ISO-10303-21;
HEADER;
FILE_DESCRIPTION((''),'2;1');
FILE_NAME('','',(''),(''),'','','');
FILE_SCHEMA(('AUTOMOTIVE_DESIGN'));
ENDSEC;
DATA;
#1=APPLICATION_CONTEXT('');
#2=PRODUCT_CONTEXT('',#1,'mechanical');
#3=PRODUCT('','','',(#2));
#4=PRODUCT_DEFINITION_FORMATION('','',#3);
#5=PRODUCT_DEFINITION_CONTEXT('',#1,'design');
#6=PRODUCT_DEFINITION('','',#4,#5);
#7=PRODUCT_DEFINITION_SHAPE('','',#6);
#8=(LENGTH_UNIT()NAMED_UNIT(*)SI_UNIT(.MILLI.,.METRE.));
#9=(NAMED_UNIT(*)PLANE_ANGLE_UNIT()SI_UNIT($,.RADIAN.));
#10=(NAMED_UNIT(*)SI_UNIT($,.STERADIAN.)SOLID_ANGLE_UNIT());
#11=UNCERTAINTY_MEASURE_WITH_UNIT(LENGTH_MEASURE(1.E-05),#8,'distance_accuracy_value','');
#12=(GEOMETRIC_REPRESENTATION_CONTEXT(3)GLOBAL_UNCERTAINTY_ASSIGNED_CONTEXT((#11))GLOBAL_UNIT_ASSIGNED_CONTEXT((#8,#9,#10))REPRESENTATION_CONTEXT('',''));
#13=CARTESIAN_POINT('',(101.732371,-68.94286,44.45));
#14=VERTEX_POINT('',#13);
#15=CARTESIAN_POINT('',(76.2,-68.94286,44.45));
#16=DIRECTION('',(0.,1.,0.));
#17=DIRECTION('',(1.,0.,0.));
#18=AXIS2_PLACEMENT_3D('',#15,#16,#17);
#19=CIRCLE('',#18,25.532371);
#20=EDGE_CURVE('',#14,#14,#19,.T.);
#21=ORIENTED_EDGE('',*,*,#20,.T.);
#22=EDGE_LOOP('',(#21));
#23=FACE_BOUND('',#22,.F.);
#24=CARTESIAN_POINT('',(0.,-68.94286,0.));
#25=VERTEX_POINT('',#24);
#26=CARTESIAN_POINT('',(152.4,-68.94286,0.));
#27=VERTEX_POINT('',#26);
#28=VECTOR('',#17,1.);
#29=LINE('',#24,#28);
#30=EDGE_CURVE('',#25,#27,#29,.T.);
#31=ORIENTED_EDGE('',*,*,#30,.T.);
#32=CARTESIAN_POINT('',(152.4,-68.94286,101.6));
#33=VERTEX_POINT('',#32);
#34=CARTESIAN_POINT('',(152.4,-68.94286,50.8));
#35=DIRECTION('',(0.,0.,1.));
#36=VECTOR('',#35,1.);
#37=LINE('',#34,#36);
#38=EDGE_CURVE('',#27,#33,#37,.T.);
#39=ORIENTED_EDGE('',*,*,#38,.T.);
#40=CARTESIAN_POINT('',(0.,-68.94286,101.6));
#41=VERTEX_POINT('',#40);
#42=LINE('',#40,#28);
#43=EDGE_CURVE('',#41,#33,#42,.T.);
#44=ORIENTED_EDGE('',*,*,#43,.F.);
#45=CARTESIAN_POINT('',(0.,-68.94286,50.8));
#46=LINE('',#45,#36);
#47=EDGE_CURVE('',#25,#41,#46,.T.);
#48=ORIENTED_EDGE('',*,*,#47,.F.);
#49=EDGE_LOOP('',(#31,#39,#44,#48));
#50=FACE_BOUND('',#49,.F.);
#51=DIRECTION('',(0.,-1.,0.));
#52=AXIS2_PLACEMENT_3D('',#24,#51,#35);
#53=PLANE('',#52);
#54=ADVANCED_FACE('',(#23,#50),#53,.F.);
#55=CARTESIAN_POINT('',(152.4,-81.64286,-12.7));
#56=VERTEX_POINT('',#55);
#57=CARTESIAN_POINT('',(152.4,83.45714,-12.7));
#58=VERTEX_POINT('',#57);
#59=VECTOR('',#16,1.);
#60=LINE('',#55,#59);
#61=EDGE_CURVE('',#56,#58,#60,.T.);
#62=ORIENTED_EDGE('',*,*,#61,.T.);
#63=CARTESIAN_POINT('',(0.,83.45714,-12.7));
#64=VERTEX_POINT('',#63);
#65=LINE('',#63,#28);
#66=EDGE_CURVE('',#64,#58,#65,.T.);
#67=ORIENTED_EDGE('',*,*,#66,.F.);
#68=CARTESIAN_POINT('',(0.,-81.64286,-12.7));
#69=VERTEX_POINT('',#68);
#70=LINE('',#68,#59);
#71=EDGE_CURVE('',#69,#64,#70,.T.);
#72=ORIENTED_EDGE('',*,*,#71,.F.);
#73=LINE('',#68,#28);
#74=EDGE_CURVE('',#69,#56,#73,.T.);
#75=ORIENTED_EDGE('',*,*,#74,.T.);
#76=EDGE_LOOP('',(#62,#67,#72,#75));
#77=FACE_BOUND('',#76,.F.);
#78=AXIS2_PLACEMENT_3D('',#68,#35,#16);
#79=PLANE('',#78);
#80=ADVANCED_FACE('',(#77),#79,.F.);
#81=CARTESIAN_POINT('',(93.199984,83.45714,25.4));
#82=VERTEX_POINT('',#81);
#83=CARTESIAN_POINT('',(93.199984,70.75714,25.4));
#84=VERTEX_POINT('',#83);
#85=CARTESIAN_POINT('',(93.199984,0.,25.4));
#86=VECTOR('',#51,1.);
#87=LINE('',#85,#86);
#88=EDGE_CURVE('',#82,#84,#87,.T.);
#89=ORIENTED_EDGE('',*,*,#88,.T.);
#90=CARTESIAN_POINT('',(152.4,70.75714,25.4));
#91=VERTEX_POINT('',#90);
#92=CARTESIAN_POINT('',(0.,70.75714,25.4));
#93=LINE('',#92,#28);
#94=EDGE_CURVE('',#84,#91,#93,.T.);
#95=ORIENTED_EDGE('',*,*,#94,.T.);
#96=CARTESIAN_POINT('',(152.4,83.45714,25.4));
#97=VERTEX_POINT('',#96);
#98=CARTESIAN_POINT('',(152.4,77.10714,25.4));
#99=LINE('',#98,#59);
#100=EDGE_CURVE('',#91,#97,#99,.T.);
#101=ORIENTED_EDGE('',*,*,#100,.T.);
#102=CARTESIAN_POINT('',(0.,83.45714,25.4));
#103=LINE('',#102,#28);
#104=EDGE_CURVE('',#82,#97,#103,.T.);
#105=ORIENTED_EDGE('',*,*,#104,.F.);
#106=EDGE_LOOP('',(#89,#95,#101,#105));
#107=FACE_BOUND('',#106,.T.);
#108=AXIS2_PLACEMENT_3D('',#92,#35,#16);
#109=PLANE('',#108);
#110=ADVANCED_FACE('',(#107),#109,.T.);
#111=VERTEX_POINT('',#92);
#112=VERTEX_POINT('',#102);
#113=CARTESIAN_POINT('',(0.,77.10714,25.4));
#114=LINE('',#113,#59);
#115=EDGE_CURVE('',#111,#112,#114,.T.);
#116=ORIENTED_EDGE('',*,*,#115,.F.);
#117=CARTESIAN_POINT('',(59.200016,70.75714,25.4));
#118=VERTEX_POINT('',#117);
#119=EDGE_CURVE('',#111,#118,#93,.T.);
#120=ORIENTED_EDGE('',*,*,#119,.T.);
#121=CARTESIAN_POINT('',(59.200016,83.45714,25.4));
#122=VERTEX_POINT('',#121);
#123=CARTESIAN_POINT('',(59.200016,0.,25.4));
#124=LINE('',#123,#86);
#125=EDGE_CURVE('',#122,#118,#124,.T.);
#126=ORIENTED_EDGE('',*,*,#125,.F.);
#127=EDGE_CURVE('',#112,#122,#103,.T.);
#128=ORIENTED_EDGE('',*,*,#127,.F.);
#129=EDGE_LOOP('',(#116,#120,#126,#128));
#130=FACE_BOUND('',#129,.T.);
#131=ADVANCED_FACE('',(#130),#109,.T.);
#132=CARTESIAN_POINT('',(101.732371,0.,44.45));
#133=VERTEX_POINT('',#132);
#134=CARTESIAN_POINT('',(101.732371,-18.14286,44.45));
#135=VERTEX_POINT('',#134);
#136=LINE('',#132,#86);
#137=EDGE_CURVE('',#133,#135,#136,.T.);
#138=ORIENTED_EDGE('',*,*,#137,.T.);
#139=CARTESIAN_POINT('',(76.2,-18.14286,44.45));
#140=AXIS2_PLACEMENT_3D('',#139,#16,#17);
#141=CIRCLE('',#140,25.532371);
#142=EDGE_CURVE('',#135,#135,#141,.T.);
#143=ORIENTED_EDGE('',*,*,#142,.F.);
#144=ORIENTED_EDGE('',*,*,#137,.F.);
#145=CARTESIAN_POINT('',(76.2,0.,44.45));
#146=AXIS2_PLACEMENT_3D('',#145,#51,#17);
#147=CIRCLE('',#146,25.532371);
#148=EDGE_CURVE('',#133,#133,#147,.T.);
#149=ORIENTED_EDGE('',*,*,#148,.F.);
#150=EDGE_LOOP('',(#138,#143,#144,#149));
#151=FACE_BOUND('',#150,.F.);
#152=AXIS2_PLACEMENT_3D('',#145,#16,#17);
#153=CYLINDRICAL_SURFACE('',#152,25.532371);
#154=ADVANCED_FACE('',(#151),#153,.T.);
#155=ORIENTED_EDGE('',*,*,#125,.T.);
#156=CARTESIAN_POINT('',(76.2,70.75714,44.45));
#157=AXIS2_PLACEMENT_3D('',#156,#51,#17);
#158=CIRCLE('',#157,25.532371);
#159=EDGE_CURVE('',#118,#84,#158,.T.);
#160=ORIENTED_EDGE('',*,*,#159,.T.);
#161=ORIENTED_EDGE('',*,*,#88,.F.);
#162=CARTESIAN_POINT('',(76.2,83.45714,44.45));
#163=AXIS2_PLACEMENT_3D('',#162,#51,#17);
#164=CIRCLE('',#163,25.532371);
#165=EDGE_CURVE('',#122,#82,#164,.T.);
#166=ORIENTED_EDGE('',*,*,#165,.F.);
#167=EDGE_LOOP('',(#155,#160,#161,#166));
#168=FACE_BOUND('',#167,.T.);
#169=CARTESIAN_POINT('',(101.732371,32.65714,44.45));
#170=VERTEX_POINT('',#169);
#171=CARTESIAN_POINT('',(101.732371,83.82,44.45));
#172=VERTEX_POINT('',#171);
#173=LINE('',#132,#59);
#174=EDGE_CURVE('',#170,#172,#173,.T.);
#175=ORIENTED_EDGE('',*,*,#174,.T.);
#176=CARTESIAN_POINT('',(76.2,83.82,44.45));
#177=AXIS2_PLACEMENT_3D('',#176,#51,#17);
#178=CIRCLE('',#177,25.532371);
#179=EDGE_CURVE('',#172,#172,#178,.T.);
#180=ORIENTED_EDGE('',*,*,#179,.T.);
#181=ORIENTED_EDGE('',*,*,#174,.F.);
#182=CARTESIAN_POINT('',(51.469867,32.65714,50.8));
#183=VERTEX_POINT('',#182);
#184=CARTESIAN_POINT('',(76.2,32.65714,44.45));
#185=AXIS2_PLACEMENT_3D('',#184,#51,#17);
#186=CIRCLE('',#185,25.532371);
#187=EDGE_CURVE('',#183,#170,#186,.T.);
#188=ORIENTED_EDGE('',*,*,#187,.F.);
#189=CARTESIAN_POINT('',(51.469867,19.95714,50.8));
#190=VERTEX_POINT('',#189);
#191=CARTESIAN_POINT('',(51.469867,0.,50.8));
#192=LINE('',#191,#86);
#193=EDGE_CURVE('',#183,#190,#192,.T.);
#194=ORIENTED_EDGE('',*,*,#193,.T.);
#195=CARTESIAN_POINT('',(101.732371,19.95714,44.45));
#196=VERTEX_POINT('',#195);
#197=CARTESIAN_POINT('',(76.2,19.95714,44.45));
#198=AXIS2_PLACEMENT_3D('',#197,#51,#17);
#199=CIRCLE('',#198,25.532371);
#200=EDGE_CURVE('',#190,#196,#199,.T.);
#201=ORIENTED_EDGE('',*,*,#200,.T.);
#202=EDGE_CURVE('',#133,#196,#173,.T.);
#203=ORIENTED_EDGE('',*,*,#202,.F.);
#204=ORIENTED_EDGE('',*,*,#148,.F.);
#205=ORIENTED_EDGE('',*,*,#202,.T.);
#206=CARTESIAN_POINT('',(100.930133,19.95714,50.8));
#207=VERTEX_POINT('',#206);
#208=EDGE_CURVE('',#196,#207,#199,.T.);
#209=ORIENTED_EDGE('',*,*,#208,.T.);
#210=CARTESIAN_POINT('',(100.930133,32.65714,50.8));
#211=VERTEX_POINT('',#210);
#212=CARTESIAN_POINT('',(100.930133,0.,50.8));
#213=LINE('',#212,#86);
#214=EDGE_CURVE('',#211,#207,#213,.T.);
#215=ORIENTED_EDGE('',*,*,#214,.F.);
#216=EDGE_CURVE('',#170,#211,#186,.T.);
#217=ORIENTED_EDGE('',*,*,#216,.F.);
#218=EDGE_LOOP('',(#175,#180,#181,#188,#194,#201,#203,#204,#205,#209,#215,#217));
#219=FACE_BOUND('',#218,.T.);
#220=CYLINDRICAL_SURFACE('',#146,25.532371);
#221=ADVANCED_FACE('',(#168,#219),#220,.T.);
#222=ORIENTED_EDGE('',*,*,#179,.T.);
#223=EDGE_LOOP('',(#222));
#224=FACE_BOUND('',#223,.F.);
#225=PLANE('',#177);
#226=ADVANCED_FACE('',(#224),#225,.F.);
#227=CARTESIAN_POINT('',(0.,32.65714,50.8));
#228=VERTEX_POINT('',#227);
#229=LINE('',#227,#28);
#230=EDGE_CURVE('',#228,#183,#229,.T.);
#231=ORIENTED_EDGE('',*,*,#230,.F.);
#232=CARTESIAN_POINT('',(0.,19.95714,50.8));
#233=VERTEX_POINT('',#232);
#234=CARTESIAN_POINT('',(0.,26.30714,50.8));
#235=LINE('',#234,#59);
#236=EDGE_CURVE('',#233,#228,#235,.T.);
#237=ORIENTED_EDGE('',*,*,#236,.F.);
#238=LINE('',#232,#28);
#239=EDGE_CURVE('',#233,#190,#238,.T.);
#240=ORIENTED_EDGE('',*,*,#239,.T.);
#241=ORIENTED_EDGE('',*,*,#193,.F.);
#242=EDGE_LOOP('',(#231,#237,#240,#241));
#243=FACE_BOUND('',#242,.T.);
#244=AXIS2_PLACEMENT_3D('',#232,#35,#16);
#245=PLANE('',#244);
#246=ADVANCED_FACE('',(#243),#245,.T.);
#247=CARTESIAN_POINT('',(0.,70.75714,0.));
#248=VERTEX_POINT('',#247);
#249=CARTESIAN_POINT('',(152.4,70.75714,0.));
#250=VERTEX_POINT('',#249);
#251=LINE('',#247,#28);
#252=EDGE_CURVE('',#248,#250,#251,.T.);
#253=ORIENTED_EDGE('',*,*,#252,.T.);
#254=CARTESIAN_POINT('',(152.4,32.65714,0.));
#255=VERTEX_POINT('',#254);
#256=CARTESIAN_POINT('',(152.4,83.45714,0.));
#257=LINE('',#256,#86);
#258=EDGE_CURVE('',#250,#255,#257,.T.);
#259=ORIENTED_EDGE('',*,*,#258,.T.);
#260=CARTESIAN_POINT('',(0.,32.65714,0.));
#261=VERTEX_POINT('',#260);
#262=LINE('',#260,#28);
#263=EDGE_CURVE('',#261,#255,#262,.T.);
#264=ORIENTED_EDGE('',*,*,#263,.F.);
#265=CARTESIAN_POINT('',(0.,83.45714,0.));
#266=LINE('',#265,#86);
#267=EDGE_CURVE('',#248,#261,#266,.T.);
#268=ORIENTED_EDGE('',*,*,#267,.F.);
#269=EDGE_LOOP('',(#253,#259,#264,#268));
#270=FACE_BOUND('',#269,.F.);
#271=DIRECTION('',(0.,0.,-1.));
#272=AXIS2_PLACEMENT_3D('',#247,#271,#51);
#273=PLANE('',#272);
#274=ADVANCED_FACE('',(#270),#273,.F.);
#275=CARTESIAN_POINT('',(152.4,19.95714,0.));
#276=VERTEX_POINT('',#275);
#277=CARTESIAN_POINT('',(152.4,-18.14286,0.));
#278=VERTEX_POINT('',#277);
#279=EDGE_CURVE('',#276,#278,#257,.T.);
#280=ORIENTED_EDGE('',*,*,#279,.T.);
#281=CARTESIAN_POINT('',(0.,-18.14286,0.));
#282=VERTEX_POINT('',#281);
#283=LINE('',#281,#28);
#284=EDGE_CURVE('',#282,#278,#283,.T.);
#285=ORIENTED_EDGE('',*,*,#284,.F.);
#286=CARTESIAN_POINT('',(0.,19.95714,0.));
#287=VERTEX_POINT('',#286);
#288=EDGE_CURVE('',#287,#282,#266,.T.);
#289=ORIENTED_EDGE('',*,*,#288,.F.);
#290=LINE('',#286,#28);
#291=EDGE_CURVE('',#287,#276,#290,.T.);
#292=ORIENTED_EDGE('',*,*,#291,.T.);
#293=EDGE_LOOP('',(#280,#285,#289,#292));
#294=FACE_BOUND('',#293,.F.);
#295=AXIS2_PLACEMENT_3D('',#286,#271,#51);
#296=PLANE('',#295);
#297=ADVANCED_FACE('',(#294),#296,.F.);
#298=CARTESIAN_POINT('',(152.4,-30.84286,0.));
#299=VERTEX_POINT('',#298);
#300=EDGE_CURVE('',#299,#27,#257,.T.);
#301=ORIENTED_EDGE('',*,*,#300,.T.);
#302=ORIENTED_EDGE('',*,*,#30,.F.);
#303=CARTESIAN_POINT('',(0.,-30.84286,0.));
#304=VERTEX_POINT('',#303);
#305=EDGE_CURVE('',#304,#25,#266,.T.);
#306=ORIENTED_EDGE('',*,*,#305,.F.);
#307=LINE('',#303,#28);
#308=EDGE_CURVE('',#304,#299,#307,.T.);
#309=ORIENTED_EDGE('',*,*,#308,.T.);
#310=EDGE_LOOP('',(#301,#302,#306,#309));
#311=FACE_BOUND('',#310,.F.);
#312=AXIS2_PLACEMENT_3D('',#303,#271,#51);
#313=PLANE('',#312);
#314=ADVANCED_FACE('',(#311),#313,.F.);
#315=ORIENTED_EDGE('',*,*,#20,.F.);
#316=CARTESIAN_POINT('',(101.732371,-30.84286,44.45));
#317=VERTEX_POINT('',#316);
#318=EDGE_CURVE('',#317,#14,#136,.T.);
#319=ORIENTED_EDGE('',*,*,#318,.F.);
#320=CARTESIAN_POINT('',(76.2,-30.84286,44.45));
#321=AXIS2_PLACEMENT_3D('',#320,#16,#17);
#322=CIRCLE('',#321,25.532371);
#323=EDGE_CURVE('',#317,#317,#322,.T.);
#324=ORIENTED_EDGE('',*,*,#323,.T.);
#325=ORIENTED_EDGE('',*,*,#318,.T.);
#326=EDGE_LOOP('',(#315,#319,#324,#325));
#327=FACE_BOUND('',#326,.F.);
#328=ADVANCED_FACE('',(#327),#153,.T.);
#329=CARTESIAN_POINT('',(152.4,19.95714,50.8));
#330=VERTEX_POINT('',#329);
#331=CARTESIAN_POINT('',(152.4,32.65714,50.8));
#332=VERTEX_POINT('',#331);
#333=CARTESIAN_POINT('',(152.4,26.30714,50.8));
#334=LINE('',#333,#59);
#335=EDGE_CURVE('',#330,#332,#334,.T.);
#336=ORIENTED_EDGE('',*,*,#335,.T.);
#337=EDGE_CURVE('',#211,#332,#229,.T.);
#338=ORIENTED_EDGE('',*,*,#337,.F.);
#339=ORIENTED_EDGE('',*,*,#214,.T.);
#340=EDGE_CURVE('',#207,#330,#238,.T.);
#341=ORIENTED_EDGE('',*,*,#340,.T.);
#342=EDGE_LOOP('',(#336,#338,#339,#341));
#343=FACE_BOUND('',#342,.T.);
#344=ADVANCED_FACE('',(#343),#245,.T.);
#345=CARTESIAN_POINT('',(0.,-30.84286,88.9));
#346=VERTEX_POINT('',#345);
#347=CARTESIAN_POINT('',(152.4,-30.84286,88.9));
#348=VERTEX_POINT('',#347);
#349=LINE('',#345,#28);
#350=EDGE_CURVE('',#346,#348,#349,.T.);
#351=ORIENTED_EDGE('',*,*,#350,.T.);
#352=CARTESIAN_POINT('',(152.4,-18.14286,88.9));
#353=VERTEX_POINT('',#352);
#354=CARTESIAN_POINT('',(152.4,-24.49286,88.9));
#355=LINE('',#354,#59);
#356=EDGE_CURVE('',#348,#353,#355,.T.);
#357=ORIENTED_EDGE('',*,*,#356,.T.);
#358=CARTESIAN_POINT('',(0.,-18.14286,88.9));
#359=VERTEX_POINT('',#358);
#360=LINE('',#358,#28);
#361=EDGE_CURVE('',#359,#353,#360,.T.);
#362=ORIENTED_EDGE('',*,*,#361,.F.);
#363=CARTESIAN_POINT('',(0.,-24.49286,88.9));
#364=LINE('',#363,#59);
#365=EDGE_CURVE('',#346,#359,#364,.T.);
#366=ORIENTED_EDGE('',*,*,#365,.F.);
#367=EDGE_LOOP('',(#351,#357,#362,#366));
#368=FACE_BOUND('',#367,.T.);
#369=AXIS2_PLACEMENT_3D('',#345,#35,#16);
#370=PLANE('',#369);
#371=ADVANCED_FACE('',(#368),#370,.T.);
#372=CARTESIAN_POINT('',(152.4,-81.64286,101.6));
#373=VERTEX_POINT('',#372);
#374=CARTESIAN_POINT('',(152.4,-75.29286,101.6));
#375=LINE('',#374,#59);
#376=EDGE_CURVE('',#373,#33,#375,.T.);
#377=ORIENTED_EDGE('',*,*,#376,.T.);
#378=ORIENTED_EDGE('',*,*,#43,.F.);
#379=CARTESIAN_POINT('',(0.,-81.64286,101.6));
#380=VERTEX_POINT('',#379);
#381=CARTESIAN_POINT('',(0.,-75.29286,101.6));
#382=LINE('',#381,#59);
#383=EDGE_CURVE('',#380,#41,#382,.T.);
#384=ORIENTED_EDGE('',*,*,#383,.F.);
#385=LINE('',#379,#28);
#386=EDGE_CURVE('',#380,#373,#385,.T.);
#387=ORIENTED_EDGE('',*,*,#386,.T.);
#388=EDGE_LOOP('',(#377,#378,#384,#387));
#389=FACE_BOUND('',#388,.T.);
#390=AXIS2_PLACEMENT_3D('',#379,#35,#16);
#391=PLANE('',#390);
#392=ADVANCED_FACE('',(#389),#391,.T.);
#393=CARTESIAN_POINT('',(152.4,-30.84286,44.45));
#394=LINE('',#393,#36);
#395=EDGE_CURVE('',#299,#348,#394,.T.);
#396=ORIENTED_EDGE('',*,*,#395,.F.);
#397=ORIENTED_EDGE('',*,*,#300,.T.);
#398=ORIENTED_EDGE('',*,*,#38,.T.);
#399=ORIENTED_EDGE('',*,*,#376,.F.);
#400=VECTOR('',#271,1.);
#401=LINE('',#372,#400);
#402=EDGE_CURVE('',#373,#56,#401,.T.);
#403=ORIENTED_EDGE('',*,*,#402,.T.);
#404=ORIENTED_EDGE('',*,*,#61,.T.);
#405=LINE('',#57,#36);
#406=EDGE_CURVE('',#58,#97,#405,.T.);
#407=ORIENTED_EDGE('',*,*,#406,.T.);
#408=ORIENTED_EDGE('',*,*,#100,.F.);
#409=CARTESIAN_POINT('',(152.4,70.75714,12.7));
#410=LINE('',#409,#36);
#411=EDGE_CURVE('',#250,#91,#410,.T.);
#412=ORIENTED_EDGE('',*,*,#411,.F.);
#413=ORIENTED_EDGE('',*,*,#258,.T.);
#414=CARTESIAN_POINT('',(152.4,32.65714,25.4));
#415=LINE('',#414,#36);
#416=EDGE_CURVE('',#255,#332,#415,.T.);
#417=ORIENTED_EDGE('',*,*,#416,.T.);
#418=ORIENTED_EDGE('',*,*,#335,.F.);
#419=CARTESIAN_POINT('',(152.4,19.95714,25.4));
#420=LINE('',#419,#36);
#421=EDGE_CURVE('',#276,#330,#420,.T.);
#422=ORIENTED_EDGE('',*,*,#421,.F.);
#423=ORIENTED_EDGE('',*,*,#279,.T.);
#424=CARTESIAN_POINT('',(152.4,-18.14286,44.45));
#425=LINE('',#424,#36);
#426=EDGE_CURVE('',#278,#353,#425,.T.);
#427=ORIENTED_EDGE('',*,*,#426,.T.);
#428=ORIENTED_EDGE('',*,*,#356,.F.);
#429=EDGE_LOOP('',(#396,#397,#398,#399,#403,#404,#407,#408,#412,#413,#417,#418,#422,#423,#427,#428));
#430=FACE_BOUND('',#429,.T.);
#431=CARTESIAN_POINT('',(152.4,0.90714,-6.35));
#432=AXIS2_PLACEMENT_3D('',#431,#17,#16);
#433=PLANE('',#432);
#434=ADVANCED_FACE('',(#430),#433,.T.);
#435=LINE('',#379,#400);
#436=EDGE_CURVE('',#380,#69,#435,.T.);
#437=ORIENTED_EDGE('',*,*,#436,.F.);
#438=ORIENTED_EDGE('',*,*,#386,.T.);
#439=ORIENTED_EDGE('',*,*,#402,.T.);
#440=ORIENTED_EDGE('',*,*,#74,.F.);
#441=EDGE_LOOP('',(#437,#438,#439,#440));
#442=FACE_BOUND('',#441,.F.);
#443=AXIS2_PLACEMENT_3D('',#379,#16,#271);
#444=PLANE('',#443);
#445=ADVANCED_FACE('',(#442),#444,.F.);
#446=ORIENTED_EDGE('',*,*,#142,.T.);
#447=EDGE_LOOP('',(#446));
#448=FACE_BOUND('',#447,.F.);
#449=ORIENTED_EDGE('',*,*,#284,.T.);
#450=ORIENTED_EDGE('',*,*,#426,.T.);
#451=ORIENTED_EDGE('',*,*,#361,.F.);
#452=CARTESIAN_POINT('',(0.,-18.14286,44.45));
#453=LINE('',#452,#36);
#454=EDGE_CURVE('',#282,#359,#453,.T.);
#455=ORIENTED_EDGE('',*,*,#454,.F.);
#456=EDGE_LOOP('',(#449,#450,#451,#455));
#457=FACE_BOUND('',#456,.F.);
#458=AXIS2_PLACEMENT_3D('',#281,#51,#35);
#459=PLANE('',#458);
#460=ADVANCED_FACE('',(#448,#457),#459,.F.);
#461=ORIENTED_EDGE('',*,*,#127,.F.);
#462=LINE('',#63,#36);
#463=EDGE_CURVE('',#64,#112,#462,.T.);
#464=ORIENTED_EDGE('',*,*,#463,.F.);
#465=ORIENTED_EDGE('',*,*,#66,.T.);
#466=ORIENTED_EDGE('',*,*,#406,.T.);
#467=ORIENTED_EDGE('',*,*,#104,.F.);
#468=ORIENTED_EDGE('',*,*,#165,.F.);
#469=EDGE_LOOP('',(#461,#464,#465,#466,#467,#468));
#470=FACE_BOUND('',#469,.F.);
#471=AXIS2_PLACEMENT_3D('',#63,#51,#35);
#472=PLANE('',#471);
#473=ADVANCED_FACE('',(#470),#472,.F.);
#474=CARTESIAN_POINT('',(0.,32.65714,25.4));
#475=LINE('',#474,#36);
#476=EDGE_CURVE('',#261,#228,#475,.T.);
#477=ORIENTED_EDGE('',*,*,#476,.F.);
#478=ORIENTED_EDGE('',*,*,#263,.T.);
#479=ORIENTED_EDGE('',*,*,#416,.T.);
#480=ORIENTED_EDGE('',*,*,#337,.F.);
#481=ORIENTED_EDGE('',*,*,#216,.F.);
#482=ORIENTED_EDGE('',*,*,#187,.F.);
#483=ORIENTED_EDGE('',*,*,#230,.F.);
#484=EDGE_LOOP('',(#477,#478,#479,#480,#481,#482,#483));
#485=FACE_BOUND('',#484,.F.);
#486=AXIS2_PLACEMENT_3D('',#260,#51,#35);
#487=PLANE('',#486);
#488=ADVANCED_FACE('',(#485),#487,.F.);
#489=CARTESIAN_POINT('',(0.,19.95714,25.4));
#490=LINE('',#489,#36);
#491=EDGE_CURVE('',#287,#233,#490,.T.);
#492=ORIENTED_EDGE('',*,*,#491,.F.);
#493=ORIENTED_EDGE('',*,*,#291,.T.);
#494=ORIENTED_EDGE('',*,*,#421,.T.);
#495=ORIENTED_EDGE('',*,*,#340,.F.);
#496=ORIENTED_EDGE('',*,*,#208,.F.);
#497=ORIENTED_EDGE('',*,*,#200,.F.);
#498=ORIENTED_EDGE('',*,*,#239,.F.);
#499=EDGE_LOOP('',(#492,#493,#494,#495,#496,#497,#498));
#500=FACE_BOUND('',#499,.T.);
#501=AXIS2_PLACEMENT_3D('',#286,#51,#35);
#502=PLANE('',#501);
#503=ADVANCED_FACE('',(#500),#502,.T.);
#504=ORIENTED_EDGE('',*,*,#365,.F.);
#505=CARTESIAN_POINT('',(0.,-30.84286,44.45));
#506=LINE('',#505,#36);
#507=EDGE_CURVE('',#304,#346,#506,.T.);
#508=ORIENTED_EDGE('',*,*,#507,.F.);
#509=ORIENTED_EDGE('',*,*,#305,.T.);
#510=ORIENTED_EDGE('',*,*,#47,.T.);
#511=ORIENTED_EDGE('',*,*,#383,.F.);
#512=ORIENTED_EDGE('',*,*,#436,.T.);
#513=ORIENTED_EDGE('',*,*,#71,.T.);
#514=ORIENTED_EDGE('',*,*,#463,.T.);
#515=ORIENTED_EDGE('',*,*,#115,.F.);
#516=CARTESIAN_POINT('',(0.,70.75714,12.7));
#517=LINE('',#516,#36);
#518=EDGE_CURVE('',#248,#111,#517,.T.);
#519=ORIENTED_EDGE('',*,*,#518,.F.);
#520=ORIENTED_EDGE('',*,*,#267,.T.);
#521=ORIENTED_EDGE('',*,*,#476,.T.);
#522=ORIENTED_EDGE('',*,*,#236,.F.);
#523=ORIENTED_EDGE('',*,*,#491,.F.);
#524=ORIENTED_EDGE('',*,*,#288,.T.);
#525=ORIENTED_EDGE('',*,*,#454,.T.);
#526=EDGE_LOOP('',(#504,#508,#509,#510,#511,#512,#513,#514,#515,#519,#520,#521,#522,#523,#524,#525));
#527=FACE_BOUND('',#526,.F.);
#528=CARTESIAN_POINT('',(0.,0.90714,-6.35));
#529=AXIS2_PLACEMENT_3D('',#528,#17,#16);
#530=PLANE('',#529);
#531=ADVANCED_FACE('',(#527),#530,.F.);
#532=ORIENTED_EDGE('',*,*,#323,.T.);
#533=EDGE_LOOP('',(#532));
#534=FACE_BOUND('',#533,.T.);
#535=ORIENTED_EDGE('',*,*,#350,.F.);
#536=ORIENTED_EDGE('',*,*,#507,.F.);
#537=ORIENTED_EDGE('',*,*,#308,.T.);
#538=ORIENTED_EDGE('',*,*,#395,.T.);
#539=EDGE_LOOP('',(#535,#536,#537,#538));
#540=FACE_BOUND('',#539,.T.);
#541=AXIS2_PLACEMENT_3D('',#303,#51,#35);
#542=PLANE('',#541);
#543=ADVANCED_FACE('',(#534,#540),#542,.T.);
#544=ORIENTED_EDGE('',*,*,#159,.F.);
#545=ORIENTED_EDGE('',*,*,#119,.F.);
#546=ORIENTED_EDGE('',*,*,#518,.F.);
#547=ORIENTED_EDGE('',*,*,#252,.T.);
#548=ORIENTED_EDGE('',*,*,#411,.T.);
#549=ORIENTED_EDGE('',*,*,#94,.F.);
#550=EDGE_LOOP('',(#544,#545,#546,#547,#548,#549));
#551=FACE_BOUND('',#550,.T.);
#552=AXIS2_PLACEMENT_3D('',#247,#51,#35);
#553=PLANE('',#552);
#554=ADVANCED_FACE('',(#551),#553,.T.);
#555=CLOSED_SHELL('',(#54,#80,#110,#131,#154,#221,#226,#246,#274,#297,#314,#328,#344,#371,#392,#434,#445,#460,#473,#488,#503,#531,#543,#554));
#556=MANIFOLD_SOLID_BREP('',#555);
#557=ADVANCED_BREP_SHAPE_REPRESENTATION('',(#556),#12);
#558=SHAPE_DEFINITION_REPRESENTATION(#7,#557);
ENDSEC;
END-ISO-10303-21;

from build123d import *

# Parameters (mm, degrees)
F0_W          = 12.7
F0_H          = 25.4
F0_H_2        = 50.8
F0_H_3        = 88.9
F0_H_4        = 101.6
F1_DEPTH      = 152.4
F2_R          = 25.532371
F3_DEPTH      = 81.28
F3_DEPTH_BACK = 83.82


with BuildPart() as f1:
    # F0 (on Right) → F1 (new body)
    with BuildSketch(Plane.YZ):
        Polygon((-68.94286, 0), (-81.64286, 0), (-81.64286, -12.7), (83.45714, -12.7), (83.45714, 0), (70.75714, 0), (32.65714, 0), (19.95714, 0), (-18.14286, 0), (-30.84286, 0), align=None)
        with Locations((77.10714, 12.7)):
            Rectangle(F0_W, F0_H)
        with Locations((26.30714, 25.4)):
            Rectangle(F0_W, F0_H_2)
        with Locations((-24.49286, 44.45)):
            Rectangle(F0_W, F0_H_3)
        with Locations((-75.29286, 50.8)):
            Rectangle(F0_W, F0_H_4)
    extrude(amount=F1_DEPTH)

    # F2 (on Front) → F3 (join, two sides)
    with BuildSketch(Plane.XZ) as f3_sk:
        with Locations((76.2, 44.45)):
            Circle(F2_R)
    extrude(amount=F3_DEPTH)
    extrude(f3_sk.sketch, amount=-F3_DEPTH_BACK)


solid = f1.part
